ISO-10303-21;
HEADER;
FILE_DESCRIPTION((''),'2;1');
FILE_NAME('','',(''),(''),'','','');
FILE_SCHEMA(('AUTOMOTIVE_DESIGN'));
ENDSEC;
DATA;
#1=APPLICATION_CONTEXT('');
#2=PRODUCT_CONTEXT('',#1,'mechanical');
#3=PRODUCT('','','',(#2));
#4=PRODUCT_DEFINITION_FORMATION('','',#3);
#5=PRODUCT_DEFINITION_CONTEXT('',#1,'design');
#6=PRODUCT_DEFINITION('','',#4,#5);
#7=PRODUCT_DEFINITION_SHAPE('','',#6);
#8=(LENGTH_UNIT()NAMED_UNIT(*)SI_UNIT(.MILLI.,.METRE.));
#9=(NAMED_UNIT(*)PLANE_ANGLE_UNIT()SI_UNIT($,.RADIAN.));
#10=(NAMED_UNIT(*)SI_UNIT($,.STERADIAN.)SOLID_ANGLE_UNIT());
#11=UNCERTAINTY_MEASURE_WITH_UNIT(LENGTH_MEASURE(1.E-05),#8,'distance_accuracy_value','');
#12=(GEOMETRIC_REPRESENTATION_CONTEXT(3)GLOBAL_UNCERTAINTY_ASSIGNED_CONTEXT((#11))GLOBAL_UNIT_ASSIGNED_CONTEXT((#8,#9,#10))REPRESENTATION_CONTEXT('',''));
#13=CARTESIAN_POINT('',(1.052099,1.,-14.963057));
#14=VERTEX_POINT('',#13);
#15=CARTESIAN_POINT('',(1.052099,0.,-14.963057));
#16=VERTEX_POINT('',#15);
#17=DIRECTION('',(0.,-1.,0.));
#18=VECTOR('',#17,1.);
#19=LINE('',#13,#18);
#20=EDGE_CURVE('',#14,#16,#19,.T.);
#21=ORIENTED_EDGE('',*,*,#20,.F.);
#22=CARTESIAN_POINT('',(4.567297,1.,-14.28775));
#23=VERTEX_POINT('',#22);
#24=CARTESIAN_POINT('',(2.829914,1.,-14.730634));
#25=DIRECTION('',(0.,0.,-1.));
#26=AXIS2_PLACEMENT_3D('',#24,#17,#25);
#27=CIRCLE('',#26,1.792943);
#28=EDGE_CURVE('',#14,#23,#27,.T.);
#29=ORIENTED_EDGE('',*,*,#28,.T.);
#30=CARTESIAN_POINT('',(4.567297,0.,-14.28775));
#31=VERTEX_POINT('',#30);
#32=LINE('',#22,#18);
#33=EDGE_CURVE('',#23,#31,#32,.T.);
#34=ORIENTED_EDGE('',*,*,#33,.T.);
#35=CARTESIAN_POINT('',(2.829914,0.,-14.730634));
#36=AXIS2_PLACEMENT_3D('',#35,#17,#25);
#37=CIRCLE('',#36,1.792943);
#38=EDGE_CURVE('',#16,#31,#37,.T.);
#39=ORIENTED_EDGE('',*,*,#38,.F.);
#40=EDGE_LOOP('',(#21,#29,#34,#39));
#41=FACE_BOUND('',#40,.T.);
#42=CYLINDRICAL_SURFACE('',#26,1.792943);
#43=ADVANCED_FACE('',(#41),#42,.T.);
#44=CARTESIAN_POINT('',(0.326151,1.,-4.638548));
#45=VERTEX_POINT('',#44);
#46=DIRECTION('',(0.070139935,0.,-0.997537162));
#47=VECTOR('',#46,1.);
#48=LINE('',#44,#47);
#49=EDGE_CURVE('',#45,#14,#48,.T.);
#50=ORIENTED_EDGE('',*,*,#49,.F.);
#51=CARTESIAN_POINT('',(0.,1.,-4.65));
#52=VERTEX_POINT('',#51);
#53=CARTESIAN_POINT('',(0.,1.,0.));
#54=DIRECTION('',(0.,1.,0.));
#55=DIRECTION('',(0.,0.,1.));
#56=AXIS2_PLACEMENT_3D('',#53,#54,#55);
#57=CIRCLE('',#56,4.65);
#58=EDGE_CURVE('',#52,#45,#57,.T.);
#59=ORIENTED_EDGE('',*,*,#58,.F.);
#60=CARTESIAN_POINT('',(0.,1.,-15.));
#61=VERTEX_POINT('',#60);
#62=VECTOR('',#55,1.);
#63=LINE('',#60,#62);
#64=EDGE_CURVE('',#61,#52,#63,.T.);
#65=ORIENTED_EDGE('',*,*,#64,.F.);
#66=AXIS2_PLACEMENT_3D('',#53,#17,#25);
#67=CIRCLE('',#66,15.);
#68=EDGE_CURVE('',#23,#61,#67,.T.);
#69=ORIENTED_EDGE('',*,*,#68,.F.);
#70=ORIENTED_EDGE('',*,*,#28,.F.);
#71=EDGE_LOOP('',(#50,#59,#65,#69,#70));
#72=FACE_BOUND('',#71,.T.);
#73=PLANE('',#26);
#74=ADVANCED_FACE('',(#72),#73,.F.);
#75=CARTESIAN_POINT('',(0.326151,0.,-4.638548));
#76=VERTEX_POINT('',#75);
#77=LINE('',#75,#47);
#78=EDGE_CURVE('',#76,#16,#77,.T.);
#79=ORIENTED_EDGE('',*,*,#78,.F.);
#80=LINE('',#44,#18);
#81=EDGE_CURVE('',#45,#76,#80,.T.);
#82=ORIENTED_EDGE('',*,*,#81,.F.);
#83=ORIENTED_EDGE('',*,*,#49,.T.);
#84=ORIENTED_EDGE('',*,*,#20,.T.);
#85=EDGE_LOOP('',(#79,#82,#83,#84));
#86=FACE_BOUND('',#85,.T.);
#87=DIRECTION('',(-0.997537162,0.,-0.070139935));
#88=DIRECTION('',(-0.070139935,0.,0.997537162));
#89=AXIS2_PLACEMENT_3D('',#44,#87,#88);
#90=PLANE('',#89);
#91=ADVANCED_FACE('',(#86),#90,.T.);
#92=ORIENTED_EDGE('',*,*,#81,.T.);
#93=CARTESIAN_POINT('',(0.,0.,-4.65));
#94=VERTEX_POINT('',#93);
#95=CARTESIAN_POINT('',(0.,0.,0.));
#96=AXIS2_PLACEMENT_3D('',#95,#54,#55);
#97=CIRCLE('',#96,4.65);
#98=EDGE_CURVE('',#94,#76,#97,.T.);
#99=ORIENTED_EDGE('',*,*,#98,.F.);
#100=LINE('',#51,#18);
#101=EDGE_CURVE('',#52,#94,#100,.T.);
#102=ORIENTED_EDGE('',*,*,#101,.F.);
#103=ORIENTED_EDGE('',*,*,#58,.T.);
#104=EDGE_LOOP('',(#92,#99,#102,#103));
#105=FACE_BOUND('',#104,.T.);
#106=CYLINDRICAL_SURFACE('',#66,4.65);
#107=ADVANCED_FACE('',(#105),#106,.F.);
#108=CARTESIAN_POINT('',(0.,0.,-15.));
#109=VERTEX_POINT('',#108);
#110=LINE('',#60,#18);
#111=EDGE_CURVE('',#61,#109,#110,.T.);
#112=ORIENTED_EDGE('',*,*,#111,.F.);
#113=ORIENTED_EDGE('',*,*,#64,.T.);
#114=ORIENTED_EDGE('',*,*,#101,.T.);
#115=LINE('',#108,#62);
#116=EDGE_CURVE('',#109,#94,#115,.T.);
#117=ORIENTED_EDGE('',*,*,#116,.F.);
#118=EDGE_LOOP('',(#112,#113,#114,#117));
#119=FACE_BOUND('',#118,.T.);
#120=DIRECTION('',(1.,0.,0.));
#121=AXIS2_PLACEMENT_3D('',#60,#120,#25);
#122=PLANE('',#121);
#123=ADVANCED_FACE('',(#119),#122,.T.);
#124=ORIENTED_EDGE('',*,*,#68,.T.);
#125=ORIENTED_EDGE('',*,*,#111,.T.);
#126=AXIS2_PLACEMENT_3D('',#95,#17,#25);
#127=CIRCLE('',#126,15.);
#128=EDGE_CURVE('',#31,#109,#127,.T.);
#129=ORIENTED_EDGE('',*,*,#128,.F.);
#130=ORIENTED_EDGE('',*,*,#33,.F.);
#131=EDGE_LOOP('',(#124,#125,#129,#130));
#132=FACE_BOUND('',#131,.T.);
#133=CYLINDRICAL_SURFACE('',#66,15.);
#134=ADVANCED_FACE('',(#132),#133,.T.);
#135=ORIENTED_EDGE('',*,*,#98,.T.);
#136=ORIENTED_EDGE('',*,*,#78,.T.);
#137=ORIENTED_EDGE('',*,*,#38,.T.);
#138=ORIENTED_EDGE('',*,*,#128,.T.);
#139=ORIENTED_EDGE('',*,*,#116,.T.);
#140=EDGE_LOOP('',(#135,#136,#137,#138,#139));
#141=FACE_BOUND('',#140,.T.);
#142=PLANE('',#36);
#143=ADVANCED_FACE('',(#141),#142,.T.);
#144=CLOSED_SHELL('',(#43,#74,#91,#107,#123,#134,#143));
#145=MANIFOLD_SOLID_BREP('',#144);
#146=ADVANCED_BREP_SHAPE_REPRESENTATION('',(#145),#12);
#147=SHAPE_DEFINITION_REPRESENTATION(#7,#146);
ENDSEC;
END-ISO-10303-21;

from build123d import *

# Parameters (mm, degrees)
BOSS_EXTRUDE2_DEPTH = 1


with BuildPart() as part:
    # Sketch1 → Boss-Extrude2 (new body)
    with BuildSketch(Plane(origin=(0, 0, 0), x_dir=(1, 0, 0), z_dir=(0, 1, 0))):
        with BuildLine():
            Line((0, 15), (0, 4.65))
            ThreePointArc((0, 4.65), (-0.163175848, -4.647136069), (0.326150697, 4.638547803))
            Line((0.326150697, 4.638547803), (1.052099022, 14.96305743))
            ThreePointArc((1.052099022, 14.96305743), (3.168172024, 16.491380461), (4.567296532, 14.287750081))
            ThreePointArc((4.567296532, 14.287750081), (-2.31124953, -14.82086791), (0, 15))
        make_face()
    extrude(amount=BOSS_EXTRUDE2_DEPTH)


solid = part.part
